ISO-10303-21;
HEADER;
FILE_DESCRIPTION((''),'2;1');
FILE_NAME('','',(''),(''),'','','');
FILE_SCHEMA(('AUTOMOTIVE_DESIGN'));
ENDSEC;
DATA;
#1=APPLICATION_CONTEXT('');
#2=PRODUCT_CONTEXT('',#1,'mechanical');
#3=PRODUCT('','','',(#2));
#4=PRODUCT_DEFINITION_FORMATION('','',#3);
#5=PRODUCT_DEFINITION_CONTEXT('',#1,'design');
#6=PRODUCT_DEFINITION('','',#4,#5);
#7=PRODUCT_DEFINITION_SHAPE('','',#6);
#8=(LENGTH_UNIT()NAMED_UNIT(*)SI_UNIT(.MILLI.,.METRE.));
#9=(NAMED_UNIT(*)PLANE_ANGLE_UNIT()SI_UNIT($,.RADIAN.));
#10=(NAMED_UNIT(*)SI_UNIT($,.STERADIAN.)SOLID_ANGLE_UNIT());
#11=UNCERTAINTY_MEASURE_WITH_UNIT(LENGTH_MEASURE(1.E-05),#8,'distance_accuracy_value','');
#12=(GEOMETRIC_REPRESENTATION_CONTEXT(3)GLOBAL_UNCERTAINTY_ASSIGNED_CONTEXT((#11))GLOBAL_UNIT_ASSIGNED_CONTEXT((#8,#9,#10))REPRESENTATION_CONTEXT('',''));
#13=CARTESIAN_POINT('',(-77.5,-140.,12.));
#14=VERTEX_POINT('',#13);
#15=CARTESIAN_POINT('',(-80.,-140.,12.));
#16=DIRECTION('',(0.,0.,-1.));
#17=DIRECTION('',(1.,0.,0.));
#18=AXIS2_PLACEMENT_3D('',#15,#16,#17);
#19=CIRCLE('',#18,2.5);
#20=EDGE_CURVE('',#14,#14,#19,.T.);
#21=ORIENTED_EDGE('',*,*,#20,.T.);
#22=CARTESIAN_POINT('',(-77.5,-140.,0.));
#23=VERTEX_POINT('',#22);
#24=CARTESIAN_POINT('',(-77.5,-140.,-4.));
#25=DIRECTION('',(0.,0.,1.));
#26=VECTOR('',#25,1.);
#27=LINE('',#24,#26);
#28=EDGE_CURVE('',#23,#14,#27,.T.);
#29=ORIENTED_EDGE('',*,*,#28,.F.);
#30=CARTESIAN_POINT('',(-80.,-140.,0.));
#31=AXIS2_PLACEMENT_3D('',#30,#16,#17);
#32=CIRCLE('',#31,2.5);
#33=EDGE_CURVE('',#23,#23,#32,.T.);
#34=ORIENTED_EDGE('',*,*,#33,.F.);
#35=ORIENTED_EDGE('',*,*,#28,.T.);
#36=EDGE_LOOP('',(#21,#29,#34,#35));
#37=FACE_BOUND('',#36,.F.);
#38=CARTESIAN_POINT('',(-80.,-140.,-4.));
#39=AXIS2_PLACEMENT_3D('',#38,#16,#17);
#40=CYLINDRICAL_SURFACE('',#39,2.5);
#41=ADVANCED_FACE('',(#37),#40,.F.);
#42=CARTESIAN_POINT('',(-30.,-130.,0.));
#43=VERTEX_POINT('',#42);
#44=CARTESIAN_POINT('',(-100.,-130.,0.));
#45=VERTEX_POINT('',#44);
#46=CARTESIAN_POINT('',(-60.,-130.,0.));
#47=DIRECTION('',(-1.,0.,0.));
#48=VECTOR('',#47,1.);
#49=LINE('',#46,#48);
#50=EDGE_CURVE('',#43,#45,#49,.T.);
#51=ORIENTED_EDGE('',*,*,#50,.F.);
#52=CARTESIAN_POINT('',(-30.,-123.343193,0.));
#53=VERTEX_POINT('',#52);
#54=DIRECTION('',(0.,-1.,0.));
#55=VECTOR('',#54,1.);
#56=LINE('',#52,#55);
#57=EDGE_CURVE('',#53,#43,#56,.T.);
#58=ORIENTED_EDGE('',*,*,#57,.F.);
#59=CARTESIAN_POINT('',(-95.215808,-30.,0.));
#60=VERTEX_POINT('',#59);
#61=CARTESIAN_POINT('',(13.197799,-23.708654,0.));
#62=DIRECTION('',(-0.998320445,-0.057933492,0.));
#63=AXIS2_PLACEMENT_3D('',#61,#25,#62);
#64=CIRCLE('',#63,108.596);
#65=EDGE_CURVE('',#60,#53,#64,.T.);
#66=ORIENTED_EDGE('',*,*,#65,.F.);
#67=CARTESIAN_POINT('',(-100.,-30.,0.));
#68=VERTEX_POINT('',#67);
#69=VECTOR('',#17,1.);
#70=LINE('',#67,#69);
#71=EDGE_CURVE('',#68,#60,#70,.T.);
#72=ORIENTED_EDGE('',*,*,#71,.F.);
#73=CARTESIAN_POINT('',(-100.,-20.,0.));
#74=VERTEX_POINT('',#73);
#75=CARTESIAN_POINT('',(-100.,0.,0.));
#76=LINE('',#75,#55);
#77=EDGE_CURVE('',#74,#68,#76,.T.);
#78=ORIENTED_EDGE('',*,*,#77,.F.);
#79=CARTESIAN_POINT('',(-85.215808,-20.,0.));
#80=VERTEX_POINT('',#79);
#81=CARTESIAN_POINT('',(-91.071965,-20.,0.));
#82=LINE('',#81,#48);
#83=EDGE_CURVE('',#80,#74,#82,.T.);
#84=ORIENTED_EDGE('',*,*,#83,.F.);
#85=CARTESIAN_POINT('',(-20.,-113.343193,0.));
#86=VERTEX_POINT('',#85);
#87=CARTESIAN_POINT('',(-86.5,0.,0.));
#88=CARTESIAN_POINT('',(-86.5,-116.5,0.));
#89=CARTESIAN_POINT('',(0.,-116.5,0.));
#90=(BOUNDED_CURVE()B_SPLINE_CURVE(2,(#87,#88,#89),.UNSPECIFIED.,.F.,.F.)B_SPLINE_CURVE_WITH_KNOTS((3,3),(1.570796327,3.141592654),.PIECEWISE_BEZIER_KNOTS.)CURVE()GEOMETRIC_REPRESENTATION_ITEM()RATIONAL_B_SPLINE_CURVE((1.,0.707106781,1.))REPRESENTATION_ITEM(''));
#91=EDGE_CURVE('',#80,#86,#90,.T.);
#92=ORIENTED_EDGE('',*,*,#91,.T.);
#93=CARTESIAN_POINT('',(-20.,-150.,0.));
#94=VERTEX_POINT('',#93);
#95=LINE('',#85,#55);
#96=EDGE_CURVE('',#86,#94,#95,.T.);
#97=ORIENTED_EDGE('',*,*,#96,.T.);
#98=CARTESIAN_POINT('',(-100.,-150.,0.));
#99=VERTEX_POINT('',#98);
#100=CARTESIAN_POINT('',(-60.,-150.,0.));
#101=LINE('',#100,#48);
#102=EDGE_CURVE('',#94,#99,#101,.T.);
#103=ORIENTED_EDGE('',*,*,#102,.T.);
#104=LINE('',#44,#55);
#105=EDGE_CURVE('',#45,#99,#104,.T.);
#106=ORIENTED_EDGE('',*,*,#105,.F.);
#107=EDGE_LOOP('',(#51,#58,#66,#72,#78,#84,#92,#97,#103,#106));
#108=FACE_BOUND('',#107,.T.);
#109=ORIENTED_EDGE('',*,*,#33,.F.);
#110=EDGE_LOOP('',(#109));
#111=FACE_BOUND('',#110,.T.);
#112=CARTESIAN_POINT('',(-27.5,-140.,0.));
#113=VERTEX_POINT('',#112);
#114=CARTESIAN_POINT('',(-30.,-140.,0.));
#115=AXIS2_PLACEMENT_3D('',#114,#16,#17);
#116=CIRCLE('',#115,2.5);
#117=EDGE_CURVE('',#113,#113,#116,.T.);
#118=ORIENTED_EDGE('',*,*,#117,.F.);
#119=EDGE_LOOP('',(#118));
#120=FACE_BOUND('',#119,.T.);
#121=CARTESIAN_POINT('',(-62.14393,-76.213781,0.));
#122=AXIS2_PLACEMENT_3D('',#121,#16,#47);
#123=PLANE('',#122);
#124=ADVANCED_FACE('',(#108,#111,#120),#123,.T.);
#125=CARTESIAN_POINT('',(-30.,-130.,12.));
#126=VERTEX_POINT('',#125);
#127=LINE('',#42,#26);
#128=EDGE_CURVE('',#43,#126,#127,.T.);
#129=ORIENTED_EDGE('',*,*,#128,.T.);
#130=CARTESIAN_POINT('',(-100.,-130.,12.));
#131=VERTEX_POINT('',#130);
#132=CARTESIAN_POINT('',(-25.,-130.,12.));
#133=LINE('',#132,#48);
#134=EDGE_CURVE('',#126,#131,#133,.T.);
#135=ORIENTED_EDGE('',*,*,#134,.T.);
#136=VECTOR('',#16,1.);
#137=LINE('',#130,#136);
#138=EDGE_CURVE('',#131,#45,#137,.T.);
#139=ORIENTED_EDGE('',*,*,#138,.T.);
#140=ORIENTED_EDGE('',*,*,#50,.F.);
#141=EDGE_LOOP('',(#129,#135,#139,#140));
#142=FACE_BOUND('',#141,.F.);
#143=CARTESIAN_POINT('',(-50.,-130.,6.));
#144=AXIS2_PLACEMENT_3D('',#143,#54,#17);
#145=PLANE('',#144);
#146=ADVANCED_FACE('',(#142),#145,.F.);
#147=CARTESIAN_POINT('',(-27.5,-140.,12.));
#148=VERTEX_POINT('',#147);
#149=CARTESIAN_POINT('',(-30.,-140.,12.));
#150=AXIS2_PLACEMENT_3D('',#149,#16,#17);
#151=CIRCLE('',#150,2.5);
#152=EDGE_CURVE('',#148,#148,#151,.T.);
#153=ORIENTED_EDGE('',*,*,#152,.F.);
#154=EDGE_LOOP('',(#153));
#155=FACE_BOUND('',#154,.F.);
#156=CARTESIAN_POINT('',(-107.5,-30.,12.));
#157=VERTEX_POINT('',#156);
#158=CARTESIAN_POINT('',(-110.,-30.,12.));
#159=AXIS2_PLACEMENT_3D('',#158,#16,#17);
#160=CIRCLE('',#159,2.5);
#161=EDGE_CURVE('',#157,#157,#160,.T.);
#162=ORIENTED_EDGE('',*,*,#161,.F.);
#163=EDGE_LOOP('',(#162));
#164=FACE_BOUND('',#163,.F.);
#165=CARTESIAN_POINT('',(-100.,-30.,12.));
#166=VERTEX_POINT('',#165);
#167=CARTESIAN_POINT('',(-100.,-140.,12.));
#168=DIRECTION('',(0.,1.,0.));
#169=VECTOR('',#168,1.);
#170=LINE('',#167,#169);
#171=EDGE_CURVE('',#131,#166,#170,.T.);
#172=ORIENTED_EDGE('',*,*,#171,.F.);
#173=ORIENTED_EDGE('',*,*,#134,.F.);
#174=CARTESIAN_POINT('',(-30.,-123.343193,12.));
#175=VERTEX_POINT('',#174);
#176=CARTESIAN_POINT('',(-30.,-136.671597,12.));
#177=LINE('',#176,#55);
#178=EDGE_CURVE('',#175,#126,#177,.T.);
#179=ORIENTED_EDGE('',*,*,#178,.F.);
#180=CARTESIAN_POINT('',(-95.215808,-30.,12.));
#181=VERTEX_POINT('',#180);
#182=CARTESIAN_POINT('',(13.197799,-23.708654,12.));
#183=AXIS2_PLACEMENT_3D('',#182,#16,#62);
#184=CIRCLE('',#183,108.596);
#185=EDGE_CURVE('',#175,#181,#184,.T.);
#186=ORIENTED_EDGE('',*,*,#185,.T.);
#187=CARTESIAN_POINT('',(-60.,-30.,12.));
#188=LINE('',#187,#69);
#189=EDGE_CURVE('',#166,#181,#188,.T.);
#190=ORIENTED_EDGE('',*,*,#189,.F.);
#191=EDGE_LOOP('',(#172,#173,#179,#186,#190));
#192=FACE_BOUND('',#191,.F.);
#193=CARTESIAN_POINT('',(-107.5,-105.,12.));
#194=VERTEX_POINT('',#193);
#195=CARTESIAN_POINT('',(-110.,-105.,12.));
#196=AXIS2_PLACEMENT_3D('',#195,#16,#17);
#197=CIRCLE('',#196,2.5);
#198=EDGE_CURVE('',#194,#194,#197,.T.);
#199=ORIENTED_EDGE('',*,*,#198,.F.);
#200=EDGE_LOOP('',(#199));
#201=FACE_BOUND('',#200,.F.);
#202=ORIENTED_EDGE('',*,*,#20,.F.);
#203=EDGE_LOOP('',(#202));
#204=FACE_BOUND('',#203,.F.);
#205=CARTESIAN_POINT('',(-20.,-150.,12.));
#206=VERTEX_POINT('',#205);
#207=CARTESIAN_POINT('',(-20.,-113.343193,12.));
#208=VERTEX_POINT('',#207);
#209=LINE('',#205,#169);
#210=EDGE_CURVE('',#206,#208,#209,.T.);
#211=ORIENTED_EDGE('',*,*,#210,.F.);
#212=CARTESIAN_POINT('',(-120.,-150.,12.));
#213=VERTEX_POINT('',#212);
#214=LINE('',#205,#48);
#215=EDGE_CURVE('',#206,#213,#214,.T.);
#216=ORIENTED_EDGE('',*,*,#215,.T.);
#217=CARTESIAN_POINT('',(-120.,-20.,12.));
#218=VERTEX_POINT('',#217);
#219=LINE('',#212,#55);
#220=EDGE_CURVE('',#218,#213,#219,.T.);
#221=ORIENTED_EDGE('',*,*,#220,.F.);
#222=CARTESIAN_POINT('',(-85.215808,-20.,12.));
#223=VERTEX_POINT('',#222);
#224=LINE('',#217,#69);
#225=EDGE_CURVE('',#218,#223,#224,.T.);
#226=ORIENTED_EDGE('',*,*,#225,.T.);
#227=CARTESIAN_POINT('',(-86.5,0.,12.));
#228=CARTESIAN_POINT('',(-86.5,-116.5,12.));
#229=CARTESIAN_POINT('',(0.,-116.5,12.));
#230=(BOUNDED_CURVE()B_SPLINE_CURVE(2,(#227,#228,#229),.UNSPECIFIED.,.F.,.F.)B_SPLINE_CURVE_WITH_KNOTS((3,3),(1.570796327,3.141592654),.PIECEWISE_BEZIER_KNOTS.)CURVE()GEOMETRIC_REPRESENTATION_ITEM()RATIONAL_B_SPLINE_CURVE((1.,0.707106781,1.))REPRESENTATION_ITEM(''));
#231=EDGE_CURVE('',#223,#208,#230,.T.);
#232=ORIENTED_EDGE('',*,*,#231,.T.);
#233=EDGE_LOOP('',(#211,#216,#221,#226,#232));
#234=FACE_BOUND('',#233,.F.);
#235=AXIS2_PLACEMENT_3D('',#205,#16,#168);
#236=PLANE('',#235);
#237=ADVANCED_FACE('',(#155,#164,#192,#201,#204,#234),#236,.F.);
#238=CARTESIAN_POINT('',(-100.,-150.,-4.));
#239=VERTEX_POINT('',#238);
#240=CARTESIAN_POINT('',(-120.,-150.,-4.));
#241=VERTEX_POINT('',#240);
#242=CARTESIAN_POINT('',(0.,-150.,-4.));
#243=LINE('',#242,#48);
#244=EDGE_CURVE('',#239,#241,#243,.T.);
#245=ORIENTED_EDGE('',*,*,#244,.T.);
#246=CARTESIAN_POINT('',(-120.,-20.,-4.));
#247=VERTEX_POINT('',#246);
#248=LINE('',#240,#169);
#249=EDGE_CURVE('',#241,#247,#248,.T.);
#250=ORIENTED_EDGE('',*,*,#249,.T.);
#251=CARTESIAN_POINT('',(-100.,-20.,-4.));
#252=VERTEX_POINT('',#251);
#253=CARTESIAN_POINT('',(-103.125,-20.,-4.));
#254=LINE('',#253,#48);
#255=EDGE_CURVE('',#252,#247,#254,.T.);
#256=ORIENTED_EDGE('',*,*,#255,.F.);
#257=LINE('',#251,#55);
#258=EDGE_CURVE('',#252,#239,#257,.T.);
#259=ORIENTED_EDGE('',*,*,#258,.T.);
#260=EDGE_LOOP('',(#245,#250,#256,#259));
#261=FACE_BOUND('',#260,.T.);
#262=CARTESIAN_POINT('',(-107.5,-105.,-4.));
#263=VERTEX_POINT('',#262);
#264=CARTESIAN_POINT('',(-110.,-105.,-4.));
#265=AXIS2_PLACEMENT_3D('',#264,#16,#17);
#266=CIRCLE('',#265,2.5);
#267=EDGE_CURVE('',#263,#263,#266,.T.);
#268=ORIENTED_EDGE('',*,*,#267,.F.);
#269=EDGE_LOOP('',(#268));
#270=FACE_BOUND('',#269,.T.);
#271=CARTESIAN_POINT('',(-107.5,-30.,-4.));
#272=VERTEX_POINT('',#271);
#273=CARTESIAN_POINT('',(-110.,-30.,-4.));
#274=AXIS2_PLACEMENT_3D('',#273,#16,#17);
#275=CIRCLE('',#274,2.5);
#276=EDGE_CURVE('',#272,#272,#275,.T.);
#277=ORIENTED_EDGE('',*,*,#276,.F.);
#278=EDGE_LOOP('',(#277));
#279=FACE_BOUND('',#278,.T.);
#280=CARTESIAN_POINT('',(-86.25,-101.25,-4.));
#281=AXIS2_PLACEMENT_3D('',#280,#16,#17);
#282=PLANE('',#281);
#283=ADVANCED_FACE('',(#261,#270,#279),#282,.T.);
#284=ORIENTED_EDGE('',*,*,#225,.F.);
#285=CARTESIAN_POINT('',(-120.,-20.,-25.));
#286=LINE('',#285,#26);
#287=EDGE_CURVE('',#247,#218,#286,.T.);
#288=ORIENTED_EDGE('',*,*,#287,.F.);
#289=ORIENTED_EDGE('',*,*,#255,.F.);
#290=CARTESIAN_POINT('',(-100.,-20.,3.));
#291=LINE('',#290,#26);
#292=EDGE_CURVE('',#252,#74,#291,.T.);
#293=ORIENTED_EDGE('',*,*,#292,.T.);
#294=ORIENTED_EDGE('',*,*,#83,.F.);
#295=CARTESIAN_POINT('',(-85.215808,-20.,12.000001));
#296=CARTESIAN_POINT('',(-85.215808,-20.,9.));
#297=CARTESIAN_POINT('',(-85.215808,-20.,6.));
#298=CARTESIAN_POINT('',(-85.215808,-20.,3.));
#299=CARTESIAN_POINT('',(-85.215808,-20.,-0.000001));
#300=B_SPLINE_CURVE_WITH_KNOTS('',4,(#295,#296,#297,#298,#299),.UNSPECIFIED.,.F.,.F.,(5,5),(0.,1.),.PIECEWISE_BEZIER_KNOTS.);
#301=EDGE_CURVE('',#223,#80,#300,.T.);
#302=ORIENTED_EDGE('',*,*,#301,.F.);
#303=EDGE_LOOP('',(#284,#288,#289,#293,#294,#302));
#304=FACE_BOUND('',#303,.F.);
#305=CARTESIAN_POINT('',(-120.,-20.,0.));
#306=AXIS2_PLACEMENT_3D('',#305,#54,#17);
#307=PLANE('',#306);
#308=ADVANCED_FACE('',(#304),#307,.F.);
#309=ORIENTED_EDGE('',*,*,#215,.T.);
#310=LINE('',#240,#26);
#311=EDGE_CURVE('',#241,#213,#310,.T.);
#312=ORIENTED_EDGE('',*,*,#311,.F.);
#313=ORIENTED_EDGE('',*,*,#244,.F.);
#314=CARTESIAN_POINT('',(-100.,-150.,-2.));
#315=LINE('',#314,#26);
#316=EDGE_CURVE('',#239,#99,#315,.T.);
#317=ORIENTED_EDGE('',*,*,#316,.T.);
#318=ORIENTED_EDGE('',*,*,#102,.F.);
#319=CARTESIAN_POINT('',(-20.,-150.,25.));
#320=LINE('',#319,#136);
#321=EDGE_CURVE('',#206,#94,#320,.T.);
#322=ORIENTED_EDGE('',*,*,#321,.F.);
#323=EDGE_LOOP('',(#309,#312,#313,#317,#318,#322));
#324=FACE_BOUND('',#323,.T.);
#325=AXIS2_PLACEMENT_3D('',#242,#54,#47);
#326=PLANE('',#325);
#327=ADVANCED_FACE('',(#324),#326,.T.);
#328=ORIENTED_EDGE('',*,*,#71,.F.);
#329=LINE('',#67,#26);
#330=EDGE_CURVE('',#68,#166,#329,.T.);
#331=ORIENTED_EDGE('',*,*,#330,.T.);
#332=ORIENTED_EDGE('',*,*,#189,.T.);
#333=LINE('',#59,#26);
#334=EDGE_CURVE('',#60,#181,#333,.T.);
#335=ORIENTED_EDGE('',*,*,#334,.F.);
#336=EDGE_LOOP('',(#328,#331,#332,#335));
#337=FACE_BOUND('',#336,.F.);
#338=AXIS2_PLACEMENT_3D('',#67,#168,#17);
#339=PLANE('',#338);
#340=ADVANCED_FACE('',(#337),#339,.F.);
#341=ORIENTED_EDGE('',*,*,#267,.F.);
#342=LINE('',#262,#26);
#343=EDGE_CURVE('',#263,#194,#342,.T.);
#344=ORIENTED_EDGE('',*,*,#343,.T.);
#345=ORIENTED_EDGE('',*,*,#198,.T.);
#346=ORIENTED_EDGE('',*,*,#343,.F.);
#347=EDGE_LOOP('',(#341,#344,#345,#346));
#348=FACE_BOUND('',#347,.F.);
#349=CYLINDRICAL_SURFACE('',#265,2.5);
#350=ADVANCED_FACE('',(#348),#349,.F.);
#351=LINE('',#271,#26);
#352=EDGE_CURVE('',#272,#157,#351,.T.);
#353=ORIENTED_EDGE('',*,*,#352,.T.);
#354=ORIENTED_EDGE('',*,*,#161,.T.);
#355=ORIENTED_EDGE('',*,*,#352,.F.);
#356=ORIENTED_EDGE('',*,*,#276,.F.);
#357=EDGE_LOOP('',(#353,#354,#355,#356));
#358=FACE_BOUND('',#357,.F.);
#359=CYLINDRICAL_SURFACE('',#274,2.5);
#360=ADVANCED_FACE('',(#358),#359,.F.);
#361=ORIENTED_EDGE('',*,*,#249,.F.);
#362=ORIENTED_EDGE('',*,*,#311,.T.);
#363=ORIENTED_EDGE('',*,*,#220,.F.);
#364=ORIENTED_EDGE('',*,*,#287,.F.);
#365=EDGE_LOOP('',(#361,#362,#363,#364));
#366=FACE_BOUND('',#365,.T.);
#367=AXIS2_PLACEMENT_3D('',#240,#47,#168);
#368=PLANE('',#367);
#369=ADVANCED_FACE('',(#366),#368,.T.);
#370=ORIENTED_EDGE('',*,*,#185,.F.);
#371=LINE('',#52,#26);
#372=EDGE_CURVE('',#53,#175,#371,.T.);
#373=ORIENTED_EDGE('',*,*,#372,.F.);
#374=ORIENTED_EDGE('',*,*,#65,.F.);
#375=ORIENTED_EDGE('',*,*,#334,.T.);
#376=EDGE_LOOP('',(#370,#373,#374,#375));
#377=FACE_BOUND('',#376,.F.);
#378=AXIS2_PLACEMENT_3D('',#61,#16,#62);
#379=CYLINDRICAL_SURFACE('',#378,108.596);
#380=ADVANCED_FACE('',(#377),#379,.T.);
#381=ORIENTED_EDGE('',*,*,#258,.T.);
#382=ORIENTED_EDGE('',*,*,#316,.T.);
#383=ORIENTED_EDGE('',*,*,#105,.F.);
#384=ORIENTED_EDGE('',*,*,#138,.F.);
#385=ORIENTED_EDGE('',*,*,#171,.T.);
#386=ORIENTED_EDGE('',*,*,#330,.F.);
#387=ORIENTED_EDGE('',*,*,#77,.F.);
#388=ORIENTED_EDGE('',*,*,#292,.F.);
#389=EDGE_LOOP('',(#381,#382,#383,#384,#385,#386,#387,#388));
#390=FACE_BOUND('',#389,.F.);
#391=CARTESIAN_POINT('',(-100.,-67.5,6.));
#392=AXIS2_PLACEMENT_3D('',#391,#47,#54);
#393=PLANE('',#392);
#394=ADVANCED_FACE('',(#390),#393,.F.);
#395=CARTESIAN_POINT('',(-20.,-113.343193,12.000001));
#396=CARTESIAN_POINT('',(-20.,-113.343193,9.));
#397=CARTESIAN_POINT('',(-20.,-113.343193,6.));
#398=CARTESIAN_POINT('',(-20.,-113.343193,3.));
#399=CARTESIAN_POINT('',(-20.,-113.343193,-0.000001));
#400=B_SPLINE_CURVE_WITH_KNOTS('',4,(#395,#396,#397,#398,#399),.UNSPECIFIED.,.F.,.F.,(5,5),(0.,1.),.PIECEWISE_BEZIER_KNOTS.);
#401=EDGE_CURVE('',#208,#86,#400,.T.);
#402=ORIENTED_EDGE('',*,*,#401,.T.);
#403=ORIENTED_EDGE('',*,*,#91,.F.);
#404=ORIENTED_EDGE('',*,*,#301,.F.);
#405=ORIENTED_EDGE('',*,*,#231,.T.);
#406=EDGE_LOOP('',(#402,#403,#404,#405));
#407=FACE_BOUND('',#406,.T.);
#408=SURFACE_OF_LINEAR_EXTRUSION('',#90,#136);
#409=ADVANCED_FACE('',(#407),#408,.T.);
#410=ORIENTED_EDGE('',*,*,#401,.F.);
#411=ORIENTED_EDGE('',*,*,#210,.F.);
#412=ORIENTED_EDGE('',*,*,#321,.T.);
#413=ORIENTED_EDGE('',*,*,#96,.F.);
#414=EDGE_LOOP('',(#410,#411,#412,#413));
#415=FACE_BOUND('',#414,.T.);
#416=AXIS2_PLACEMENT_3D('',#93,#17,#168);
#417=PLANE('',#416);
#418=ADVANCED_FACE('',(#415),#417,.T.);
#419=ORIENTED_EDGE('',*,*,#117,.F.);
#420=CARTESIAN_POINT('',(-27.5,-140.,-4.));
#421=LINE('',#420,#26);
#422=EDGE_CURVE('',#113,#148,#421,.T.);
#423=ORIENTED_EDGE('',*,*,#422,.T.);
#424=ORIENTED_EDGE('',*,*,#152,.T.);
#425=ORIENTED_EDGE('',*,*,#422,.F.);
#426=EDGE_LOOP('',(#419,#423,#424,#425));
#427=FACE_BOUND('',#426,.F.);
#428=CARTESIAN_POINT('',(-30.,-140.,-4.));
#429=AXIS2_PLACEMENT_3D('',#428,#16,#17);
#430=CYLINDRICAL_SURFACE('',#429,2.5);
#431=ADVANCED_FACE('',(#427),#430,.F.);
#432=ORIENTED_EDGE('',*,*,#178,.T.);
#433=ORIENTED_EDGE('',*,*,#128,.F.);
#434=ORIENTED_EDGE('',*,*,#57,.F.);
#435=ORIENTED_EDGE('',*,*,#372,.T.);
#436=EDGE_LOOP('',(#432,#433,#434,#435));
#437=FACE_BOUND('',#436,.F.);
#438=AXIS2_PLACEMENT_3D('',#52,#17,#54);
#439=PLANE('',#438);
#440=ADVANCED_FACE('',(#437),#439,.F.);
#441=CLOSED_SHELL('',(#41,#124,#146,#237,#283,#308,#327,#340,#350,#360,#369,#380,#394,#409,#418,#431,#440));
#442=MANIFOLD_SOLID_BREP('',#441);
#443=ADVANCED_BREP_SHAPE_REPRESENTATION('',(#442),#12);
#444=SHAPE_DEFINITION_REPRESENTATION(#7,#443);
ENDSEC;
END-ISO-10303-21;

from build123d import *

# Parameters (mm, degrees)
F1_DEPTH  = 12
F2_W      = 100
F2_H      = 20
F3_DEPTH  = 5
F4_W      = 135
F4_H      = 20
F5_DEPTH  = 5
F7_R      = 2.5
F8_DEPTH  = 25
F9_DEPTH  = 5
F10_W     = 20
F10_H     = 20
F10_W_2   = 100
F10_H_2   = 130
F11_DEPTH = 25
F12_W     = 130
F12_H     = 9
F13_DEPTH = 100.0010001
F15_DEPTH = 12.0010001
F16_W     = 80
F16_H     = 4
F17_DEPTH = 20


with BuildPart() as f1:
    # F0 (on Top) → F1 (new body)
    with BuildSketch(Plane.XY):
        with BuildLine():
            add(Edge.make_bspline(
                [(-86.5, 0), (-86.5, -116.5), (0, -116.5)],
                knots=[1.5707963268, 1.5707963268, 1.5707963268, 3.1415926536, 3.1415926536, 3.1415926536], degree=2, weights=[1, 0.7071067812, 1]))
            Line((-86.5, 0), (-86.5, -116.5))
            Line((-86.5, -116.5), (0, -116.5))
        make_face()
        Polygon((-86.5, -116.5), (-86.5, 0), (-100, 0), (-100, -130), (0, -130), (0, -116.5), align=None)
    extrude(amount=F1_DEPTH)

    # F2 (on face) → F3 (join)
    with BuildSketch(Plane.XZ.offset(130)):
        with Locations((-50, 6)):
            Rectangle(F2_W, F2_H)
    extrude(amount=F3_DEPTH)

    # F4 (on face) → F5 (join)
    with BuildSketch(Plane(origin=(-100, 0, 0), x_dir=(0, -1, 0), z_dir=(-1, 0, 0))):
        with Locations((67.5, 6)):
            Rectangle(F4_W, F4_H)
    extrude(amount=F5_DEPTH)

    # F7 (on face) → F8 (join)
    with BuildSketch(Plane(origin=(0, 0, -4), x_dir=(1, 0, 0), z_dir=(0, 0, -1))):
        Polygon((0, 135), (0, 150), (-120, 150), (-120, 0), (-105, 0), (-105, 135), align=None)
        with Locations((-110, 30)):
            Circle(F7_R, mode=Mode.SUBTRACT)
        with Locations((-110, 105)):
            Circle(F7_R, mode=Mode.SUBTRACT)
        with Locations((-80, 140)):
            Circle(F7_R, mode=Mode.SUBTRACT)
        with Locations((-30, 140)):
            Circle(F7_R, mode=Mode.SUBTRACT)
    extrude(amount=-F8_DEPTH)

    # F6 (on face) → F9 (join)
    with BuildSketch(Plane.XY.offset(16)):
        Polygon((-90, 0), (-105, 0), (-105, -135), (0, -135), (0, -120), (-90, -120), align=None)
    extrude(amount=F9_DEPTH)

    # F10 (on Top) → F11 (cut, symmetric)
    with BuildSketch(Plane.XY):
        with Locations((-10, -10)):
            Rectangle(F10_W, F10_H)
        with Locations((-70, -10)):
            Rectangle(F10_W_2, F10_H)
        with Locations((-10, -85)):
            Rectangle(F10_W, F10_H_2)
    extrude(amount=F11_DEPTH, both=True, mode=Mode.SUBTRACT)

    # F12 (on face) → F13 (cut, through all)
    with BuildSketch(Plane.YZ.offset(-20)):
        with Locations((-85, 16.5)):
            Rectangle(F12_W, F12_H)
    extrude(amount=-F13_DEPTH, mode=Mode.SUBTRACT)

    # F14 (on face) → F15 (cut, through all)
    with BuildSketch(Plane(origin=(0, 0, 0), x_dir=(1, 0, 0), z_dir=(0, 0, -1))):
        with BuildLine():
            Line((-30, 130), (-100, 130))
            Line((-100, 130), (-100, 30))
            Line((-100, 30), (-95.2158076494, 30))
            ThreePointArc((-95.2158076494, 30), (-75.8232238431, 85.9047045014), (-30, 123.3431933691))
            Line((-30, 123.3431933691), (-30, 130))
        make_face()
    extrude(amount=-F15_DEPTH, mode=Mode.SUBTRACT)

    # F16 (on face) → F17 (cut, through all)
    with BuildSketch(Plane(origin=(0, -130, 0), x_dir=(-1, 0, 0), z_dir=(0, 1, 0))):
        with Locations((60, -2)):
            Rectangle(F16_W, F16_H)
    extrude(amount=-F17_DEPTH, mode=Mode.SUBTRACT)


solid = f1.part
